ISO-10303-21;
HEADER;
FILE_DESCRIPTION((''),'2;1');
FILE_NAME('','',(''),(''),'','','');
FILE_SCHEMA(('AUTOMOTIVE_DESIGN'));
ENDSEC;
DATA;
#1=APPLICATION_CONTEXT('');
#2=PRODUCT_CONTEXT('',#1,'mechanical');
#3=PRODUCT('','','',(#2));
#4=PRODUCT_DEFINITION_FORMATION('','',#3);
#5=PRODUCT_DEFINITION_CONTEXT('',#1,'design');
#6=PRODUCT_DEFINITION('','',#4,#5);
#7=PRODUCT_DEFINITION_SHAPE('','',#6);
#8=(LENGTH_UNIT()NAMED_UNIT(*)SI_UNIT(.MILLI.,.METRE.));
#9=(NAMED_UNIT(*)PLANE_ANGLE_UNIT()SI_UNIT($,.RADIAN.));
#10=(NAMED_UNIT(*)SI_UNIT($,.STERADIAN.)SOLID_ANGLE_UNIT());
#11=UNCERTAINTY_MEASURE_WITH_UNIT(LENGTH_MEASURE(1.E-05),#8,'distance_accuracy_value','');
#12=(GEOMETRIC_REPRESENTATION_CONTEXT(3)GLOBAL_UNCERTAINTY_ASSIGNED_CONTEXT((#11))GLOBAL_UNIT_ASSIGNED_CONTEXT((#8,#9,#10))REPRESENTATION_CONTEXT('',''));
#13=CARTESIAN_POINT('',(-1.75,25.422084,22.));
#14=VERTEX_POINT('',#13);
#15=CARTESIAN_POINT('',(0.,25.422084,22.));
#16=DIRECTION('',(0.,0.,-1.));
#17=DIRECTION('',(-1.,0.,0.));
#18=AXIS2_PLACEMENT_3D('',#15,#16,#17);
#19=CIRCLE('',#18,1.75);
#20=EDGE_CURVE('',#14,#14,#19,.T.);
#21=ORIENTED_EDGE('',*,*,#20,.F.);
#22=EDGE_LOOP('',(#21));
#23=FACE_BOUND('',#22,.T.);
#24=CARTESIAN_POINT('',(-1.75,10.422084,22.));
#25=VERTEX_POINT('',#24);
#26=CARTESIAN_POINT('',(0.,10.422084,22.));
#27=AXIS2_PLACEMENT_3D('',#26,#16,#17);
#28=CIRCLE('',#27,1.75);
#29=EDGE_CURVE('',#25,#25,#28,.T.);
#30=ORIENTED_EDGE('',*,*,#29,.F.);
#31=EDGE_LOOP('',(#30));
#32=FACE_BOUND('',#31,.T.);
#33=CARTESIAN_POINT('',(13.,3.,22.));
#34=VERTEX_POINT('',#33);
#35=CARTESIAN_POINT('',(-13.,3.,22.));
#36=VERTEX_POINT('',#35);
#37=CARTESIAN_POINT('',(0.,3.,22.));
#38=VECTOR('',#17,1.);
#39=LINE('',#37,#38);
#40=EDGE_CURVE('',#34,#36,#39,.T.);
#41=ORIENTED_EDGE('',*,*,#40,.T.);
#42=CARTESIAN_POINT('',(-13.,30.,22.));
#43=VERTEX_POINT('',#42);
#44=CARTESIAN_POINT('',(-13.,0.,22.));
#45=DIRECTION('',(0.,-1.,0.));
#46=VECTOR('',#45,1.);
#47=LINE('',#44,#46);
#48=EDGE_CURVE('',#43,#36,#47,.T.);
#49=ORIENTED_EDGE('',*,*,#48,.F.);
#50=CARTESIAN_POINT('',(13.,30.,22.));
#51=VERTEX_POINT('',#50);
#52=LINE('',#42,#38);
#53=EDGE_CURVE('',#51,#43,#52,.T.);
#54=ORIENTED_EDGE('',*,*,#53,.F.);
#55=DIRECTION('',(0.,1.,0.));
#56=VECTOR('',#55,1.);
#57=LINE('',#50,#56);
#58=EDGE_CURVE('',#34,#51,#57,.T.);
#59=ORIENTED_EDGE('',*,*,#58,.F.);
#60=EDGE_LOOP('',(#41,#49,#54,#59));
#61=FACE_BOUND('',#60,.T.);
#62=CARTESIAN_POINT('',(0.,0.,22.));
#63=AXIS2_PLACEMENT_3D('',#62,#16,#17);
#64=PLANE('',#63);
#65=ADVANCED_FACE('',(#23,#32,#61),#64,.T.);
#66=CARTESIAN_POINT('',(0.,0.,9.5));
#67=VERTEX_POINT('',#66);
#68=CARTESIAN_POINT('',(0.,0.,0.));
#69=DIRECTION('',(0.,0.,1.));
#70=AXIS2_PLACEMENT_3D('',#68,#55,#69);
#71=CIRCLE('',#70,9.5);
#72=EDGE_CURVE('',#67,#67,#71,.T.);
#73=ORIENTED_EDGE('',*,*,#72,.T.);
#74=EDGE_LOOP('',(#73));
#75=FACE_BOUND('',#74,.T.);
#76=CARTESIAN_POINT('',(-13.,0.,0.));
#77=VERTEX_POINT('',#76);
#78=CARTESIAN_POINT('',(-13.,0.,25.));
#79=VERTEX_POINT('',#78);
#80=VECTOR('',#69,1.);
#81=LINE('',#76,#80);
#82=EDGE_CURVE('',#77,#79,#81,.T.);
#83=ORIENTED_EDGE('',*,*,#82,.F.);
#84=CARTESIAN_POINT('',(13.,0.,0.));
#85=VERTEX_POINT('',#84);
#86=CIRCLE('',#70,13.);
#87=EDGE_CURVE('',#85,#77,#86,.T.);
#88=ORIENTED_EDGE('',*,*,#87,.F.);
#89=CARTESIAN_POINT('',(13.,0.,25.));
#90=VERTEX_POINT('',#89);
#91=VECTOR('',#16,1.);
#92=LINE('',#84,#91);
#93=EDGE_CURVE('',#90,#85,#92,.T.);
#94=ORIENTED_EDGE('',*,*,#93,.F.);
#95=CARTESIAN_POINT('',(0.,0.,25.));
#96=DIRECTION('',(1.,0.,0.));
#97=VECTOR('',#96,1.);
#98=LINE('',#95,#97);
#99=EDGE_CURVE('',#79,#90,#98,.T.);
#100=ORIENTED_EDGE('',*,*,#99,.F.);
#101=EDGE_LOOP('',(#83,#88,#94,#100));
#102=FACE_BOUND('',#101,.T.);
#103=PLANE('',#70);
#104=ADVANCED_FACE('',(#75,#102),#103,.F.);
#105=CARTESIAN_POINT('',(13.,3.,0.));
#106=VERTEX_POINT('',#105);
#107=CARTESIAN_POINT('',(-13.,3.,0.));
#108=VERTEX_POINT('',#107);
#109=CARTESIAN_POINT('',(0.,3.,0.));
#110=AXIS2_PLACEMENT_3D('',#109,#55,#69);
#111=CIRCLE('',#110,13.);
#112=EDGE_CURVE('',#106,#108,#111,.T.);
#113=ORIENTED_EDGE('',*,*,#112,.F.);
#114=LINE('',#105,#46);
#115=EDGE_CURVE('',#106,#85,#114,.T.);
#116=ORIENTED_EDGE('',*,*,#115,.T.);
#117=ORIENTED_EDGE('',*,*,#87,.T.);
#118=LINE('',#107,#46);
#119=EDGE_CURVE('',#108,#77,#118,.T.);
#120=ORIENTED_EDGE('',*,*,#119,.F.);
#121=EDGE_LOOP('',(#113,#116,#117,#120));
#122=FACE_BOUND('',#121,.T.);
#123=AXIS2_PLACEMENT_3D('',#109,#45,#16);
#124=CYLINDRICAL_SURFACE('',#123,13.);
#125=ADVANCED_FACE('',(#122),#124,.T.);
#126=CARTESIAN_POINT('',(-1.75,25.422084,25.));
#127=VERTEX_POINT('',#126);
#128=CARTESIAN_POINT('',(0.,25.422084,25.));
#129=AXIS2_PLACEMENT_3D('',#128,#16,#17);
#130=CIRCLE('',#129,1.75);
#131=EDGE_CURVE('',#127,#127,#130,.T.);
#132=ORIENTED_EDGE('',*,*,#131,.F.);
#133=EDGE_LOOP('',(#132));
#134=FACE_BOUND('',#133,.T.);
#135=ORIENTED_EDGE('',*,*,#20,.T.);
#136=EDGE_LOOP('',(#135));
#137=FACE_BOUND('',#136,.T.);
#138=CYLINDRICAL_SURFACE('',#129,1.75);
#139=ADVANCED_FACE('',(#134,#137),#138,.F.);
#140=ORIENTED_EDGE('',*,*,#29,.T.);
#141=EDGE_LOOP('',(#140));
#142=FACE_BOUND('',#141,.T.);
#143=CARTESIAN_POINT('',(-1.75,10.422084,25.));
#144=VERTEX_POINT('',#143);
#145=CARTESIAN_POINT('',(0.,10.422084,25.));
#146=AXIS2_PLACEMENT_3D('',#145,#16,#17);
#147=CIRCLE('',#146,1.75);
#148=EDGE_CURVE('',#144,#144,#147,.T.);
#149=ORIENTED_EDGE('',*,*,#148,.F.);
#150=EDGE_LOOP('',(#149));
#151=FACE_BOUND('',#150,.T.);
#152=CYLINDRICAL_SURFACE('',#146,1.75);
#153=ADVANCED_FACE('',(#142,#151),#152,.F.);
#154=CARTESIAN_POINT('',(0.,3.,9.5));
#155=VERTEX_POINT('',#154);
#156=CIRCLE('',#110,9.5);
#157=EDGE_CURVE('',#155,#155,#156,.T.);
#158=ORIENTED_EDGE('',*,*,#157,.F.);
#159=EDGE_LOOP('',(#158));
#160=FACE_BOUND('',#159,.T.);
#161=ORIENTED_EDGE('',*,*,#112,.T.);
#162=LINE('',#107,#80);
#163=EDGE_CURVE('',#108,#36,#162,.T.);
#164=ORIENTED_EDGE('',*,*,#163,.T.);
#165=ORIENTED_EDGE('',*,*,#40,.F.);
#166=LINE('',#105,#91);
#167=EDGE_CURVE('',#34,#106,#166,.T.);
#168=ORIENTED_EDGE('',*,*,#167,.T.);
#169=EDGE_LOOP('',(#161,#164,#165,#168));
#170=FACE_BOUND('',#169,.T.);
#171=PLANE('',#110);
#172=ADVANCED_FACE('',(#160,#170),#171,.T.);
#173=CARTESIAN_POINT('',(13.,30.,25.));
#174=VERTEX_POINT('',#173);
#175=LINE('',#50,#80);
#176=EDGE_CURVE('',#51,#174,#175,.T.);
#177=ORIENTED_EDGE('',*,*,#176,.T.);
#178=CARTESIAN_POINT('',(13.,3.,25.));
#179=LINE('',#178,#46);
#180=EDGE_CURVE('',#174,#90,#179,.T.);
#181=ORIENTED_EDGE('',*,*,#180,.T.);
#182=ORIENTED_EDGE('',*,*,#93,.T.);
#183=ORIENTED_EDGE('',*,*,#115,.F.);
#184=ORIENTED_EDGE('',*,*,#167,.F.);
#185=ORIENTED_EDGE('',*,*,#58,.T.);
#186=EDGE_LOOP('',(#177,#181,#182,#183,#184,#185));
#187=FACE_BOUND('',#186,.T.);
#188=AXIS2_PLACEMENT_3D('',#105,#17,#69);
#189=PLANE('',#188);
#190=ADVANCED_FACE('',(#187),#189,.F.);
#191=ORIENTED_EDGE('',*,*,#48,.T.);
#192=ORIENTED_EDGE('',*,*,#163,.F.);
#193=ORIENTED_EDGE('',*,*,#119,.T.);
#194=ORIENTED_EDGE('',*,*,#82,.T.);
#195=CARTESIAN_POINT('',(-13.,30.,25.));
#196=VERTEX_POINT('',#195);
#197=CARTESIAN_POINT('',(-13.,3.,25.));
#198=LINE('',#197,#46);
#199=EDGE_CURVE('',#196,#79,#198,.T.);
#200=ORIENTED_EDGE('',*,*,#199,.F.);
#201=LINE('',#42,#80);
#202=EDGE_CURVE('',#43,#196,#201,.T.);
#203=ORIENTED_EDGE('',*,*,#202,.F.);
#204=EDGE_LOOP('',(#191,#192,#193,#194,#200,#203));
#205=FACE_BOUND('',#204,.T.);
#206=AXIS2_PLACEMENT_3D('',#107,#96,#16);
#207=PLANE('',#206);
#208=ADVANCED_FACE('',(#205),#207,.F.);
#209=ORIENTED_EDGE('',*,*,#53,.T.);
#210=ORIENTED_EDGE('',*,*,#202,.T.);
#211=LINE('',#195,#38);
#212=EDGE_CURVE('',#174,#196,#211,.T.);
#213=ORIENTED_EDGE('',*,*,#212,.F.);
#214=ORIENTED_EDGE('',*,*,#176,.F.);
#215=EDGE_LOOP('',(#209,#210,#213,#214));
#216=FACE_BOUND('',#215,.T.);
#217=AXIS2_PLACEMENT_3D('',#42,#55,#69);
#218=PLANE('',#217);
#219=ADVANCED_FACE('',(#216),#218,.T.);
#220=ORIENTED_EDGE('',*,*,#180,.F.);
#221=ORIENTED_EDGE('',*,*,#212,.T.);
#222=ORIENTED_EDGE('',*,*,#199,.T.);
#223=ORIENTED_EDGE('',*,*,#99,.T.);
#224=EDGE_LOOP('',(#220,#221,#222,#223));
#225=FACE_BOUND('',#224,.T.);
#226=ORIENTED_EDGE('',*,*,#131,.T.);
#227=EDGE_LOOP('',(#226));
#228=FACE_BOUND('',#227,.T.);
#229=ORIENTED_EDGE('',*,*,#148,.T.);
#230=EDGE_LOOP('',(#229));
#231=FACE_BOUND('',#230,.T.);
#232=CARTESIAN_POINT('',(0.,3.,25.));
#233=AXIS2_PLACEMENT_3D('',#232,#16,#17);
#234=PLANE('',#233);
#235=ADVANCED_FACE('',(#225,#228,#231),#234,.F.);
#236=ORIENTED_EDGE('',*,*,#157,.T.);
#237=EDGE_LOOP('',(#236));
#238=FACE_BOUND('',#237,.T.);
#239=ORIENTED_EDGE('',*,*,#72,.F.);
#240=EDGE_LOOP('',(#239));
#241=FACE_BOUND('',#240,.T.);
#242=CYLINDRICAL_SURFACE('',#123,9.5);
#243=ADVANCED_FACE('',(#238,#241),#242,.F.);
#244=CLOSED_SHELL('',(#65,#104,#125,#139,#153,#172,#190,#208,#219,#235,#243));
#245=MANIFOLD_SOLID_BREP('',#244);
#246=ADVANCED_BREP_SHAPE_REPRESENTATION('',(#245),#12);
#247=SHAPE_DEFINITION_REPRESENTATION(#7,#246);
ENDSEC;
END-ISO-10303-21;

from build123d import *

# Parameters (mm, degrees)
SKETCH_1_R          = 13
SKETCH_1_R_2        = 9.5
EXTRUDE_1_DEPTH     = 3
SKETCH_2_W          = 26
SKETCH_2_H          = 30
EXTRUDE_2_DEPTH     = 3
SKETCH_3_R          = 1.75
CUT_EXTRUDE_1_DEPTH = 3


with BuildPart() as part:
    # 草图1 → 凸台-拉伸1 (new body)
    # profile 1 of 2: a face of its own
    with BuildSketch(Plane(origin=(0, 0, 0), x_dir=(1, 0, 0), z_dir=(0, 1, 0))):
        Circle(SKETCH_1_R)
        with Locations(Location((0, 0, 0), (0, 0, 270))):
            Circle(SKETCH_1_R_2, mode=Mode.SUBTRACT)
    # profile 2 of 2: a face of its own
    with BuildSketch(Plane(origin=(0, 0, 0), x_dir=(1, 0, 0), z_dir=(0, 1, 0))):
        with BuildLine():
            ThreePointArc((13, 0), (0, -13), (-13, 0))
            Line((-13, 0), (-13, -25))
            Line((-13, -25), (13, -25))
            Line((13, -25), (13, 0))
        make_face()
    extrude(amount=EXTRUDE_1_DEPTH)

    # 草图2 → 凸台-拉伸2 (add)
    with BuildSketch(Plane.XY.offset(25)):
        with Locations((0, 15)):
            Rectangle(SKETCH_2_W, SKETCH_2_H)
    extrude(amount=-EXTRUDE_2_DEPTH)

    # 草图3 → 切除-拉伸1 (cut)
    with BuildSketch(Plane(origin=(0, 0, 22), x_dir=(-1, 0, 0), z_dir=(0, 0, -1))):
        with Locations((0, 10.422083653)):
            Circle(SKETCH_3_R)
        with Locations((0, 25.422083653)):
            Circle(SKETCH_3_R)
    extrude(amount=-CUT_EXTRUDE_1_DEPTH, mode=Mode.SUBTRACT)


solid = part.part
